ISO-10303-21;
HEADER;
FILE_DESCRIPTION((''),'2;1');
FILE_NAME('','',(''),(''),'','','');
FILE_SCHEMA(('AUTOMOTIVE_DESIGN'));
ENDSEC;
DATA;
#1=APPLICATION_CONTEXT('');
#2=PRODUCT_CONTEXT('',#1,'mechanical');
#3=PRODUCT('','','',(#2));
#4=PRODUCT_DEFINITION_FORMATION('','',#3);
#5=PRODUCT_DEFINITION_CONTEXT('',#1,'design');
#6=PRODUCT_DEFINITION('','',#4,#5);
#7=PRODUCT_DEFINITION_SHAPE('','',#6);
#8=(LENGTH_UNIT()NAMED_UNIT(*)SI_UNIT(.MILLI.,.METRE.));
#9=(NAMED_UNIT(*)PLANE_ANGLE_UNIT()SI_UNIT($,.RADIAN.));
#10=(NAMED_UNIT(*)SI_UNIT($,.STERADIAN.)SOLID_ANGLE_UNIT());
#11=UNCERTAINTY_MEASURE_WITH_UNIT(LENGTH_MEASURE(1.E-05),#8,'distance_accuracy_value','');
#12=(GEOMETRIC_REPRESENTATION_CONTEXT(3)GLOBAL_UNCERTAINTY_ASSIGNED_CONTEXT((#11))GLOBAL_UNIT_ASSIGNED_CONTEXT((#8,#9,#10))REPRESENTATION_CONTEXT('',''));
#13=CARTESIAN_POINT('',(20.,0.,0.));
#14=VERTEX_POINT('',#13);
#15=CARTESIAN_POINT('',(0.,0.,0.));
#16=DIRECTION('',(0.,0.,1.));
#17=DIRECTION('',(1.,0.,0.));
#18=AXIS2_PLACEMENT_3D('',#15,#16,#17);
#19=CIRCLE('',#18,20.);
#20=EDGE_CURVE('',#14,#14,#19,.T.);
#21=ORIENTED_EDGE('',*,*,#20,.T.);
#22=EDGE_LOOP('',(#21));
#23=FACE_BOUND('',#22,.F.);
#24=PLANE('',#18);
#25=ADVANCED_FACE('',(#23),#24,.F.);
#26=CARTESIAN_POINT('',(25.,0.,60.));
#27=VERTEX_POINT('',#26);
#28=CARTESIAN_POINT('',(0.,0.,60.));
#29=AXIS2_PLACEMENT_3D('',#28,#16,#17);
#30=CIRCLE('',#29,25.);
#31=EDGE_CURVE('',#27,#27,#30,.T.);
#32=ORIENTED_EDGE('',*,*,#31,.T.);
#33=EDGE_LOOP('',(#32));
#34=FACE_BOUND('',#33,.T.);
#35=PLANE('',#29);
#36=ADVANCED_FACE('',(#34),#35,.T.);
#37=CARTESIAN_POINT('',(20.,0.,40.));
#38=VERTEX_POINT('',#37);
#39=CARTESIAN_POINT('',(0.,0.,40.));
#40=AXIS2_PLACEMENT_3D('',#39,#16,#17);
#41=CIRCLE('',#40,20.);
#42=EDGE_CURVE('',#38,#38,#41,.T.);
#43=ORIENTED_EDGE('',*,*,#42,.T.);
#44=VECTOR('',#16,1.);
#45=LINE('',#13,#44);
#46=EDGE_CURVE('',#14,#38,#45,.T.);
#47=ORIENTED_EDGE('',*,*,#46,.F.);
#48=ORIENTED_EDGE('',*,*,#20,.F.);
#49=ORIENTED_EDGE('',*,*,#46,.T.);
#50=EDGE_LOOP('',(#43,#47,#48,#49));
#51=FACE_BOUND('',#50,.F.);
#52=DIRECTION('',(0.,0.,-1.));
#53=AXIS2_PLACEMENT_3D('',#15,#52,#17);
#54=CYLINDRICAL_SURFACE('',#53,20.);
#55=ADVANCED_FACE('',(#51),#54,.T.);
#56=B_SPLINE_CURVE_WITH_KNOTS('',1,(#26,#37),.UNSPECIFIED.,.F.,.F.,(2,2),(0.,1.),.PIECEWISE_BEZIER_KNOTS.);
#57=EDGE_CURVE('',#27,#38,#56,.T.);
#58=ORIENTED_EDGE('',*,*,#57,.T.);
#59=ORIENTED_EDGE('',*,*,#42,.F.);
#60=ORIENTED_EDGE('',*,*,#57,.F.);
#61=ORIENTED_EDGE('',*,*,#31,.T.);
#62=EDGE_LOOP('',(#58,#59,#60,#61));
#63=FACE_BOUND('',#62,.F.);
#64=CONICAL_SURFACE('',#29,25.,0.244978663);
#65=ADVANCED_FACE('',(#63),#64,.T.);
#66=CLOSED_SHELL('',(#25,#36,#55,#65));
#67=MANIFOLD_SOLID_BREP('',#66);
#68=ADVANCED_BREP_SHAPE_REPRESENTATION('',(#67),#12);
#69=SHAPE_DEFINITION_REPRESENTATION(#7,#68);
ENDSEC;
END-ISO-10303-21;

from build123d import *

# Parameters (mm, degrees)
F0_R      = 20
F1_DEPTH  = 40
F3_R      = 25
F1_FACE_R = 20


with BuildPart() as f1:
    # F0 (on Top) → F1 (new body)
    with BuildSketch(Plane.XY):
        Circle(F0_R)
    extrude(amount=F1_DEPTH)

    # F3 (on offset) → F4 section 0
    with BuildSketch(Plane.XY.offset(60)):
        Circle(F3_R)
    # F1_face (on face) → F4 section 1
    with BuildSketch(Plane.XY.offset(40)):
        Circle(F1_FACE_R)
    loft()


solid = f1.part
